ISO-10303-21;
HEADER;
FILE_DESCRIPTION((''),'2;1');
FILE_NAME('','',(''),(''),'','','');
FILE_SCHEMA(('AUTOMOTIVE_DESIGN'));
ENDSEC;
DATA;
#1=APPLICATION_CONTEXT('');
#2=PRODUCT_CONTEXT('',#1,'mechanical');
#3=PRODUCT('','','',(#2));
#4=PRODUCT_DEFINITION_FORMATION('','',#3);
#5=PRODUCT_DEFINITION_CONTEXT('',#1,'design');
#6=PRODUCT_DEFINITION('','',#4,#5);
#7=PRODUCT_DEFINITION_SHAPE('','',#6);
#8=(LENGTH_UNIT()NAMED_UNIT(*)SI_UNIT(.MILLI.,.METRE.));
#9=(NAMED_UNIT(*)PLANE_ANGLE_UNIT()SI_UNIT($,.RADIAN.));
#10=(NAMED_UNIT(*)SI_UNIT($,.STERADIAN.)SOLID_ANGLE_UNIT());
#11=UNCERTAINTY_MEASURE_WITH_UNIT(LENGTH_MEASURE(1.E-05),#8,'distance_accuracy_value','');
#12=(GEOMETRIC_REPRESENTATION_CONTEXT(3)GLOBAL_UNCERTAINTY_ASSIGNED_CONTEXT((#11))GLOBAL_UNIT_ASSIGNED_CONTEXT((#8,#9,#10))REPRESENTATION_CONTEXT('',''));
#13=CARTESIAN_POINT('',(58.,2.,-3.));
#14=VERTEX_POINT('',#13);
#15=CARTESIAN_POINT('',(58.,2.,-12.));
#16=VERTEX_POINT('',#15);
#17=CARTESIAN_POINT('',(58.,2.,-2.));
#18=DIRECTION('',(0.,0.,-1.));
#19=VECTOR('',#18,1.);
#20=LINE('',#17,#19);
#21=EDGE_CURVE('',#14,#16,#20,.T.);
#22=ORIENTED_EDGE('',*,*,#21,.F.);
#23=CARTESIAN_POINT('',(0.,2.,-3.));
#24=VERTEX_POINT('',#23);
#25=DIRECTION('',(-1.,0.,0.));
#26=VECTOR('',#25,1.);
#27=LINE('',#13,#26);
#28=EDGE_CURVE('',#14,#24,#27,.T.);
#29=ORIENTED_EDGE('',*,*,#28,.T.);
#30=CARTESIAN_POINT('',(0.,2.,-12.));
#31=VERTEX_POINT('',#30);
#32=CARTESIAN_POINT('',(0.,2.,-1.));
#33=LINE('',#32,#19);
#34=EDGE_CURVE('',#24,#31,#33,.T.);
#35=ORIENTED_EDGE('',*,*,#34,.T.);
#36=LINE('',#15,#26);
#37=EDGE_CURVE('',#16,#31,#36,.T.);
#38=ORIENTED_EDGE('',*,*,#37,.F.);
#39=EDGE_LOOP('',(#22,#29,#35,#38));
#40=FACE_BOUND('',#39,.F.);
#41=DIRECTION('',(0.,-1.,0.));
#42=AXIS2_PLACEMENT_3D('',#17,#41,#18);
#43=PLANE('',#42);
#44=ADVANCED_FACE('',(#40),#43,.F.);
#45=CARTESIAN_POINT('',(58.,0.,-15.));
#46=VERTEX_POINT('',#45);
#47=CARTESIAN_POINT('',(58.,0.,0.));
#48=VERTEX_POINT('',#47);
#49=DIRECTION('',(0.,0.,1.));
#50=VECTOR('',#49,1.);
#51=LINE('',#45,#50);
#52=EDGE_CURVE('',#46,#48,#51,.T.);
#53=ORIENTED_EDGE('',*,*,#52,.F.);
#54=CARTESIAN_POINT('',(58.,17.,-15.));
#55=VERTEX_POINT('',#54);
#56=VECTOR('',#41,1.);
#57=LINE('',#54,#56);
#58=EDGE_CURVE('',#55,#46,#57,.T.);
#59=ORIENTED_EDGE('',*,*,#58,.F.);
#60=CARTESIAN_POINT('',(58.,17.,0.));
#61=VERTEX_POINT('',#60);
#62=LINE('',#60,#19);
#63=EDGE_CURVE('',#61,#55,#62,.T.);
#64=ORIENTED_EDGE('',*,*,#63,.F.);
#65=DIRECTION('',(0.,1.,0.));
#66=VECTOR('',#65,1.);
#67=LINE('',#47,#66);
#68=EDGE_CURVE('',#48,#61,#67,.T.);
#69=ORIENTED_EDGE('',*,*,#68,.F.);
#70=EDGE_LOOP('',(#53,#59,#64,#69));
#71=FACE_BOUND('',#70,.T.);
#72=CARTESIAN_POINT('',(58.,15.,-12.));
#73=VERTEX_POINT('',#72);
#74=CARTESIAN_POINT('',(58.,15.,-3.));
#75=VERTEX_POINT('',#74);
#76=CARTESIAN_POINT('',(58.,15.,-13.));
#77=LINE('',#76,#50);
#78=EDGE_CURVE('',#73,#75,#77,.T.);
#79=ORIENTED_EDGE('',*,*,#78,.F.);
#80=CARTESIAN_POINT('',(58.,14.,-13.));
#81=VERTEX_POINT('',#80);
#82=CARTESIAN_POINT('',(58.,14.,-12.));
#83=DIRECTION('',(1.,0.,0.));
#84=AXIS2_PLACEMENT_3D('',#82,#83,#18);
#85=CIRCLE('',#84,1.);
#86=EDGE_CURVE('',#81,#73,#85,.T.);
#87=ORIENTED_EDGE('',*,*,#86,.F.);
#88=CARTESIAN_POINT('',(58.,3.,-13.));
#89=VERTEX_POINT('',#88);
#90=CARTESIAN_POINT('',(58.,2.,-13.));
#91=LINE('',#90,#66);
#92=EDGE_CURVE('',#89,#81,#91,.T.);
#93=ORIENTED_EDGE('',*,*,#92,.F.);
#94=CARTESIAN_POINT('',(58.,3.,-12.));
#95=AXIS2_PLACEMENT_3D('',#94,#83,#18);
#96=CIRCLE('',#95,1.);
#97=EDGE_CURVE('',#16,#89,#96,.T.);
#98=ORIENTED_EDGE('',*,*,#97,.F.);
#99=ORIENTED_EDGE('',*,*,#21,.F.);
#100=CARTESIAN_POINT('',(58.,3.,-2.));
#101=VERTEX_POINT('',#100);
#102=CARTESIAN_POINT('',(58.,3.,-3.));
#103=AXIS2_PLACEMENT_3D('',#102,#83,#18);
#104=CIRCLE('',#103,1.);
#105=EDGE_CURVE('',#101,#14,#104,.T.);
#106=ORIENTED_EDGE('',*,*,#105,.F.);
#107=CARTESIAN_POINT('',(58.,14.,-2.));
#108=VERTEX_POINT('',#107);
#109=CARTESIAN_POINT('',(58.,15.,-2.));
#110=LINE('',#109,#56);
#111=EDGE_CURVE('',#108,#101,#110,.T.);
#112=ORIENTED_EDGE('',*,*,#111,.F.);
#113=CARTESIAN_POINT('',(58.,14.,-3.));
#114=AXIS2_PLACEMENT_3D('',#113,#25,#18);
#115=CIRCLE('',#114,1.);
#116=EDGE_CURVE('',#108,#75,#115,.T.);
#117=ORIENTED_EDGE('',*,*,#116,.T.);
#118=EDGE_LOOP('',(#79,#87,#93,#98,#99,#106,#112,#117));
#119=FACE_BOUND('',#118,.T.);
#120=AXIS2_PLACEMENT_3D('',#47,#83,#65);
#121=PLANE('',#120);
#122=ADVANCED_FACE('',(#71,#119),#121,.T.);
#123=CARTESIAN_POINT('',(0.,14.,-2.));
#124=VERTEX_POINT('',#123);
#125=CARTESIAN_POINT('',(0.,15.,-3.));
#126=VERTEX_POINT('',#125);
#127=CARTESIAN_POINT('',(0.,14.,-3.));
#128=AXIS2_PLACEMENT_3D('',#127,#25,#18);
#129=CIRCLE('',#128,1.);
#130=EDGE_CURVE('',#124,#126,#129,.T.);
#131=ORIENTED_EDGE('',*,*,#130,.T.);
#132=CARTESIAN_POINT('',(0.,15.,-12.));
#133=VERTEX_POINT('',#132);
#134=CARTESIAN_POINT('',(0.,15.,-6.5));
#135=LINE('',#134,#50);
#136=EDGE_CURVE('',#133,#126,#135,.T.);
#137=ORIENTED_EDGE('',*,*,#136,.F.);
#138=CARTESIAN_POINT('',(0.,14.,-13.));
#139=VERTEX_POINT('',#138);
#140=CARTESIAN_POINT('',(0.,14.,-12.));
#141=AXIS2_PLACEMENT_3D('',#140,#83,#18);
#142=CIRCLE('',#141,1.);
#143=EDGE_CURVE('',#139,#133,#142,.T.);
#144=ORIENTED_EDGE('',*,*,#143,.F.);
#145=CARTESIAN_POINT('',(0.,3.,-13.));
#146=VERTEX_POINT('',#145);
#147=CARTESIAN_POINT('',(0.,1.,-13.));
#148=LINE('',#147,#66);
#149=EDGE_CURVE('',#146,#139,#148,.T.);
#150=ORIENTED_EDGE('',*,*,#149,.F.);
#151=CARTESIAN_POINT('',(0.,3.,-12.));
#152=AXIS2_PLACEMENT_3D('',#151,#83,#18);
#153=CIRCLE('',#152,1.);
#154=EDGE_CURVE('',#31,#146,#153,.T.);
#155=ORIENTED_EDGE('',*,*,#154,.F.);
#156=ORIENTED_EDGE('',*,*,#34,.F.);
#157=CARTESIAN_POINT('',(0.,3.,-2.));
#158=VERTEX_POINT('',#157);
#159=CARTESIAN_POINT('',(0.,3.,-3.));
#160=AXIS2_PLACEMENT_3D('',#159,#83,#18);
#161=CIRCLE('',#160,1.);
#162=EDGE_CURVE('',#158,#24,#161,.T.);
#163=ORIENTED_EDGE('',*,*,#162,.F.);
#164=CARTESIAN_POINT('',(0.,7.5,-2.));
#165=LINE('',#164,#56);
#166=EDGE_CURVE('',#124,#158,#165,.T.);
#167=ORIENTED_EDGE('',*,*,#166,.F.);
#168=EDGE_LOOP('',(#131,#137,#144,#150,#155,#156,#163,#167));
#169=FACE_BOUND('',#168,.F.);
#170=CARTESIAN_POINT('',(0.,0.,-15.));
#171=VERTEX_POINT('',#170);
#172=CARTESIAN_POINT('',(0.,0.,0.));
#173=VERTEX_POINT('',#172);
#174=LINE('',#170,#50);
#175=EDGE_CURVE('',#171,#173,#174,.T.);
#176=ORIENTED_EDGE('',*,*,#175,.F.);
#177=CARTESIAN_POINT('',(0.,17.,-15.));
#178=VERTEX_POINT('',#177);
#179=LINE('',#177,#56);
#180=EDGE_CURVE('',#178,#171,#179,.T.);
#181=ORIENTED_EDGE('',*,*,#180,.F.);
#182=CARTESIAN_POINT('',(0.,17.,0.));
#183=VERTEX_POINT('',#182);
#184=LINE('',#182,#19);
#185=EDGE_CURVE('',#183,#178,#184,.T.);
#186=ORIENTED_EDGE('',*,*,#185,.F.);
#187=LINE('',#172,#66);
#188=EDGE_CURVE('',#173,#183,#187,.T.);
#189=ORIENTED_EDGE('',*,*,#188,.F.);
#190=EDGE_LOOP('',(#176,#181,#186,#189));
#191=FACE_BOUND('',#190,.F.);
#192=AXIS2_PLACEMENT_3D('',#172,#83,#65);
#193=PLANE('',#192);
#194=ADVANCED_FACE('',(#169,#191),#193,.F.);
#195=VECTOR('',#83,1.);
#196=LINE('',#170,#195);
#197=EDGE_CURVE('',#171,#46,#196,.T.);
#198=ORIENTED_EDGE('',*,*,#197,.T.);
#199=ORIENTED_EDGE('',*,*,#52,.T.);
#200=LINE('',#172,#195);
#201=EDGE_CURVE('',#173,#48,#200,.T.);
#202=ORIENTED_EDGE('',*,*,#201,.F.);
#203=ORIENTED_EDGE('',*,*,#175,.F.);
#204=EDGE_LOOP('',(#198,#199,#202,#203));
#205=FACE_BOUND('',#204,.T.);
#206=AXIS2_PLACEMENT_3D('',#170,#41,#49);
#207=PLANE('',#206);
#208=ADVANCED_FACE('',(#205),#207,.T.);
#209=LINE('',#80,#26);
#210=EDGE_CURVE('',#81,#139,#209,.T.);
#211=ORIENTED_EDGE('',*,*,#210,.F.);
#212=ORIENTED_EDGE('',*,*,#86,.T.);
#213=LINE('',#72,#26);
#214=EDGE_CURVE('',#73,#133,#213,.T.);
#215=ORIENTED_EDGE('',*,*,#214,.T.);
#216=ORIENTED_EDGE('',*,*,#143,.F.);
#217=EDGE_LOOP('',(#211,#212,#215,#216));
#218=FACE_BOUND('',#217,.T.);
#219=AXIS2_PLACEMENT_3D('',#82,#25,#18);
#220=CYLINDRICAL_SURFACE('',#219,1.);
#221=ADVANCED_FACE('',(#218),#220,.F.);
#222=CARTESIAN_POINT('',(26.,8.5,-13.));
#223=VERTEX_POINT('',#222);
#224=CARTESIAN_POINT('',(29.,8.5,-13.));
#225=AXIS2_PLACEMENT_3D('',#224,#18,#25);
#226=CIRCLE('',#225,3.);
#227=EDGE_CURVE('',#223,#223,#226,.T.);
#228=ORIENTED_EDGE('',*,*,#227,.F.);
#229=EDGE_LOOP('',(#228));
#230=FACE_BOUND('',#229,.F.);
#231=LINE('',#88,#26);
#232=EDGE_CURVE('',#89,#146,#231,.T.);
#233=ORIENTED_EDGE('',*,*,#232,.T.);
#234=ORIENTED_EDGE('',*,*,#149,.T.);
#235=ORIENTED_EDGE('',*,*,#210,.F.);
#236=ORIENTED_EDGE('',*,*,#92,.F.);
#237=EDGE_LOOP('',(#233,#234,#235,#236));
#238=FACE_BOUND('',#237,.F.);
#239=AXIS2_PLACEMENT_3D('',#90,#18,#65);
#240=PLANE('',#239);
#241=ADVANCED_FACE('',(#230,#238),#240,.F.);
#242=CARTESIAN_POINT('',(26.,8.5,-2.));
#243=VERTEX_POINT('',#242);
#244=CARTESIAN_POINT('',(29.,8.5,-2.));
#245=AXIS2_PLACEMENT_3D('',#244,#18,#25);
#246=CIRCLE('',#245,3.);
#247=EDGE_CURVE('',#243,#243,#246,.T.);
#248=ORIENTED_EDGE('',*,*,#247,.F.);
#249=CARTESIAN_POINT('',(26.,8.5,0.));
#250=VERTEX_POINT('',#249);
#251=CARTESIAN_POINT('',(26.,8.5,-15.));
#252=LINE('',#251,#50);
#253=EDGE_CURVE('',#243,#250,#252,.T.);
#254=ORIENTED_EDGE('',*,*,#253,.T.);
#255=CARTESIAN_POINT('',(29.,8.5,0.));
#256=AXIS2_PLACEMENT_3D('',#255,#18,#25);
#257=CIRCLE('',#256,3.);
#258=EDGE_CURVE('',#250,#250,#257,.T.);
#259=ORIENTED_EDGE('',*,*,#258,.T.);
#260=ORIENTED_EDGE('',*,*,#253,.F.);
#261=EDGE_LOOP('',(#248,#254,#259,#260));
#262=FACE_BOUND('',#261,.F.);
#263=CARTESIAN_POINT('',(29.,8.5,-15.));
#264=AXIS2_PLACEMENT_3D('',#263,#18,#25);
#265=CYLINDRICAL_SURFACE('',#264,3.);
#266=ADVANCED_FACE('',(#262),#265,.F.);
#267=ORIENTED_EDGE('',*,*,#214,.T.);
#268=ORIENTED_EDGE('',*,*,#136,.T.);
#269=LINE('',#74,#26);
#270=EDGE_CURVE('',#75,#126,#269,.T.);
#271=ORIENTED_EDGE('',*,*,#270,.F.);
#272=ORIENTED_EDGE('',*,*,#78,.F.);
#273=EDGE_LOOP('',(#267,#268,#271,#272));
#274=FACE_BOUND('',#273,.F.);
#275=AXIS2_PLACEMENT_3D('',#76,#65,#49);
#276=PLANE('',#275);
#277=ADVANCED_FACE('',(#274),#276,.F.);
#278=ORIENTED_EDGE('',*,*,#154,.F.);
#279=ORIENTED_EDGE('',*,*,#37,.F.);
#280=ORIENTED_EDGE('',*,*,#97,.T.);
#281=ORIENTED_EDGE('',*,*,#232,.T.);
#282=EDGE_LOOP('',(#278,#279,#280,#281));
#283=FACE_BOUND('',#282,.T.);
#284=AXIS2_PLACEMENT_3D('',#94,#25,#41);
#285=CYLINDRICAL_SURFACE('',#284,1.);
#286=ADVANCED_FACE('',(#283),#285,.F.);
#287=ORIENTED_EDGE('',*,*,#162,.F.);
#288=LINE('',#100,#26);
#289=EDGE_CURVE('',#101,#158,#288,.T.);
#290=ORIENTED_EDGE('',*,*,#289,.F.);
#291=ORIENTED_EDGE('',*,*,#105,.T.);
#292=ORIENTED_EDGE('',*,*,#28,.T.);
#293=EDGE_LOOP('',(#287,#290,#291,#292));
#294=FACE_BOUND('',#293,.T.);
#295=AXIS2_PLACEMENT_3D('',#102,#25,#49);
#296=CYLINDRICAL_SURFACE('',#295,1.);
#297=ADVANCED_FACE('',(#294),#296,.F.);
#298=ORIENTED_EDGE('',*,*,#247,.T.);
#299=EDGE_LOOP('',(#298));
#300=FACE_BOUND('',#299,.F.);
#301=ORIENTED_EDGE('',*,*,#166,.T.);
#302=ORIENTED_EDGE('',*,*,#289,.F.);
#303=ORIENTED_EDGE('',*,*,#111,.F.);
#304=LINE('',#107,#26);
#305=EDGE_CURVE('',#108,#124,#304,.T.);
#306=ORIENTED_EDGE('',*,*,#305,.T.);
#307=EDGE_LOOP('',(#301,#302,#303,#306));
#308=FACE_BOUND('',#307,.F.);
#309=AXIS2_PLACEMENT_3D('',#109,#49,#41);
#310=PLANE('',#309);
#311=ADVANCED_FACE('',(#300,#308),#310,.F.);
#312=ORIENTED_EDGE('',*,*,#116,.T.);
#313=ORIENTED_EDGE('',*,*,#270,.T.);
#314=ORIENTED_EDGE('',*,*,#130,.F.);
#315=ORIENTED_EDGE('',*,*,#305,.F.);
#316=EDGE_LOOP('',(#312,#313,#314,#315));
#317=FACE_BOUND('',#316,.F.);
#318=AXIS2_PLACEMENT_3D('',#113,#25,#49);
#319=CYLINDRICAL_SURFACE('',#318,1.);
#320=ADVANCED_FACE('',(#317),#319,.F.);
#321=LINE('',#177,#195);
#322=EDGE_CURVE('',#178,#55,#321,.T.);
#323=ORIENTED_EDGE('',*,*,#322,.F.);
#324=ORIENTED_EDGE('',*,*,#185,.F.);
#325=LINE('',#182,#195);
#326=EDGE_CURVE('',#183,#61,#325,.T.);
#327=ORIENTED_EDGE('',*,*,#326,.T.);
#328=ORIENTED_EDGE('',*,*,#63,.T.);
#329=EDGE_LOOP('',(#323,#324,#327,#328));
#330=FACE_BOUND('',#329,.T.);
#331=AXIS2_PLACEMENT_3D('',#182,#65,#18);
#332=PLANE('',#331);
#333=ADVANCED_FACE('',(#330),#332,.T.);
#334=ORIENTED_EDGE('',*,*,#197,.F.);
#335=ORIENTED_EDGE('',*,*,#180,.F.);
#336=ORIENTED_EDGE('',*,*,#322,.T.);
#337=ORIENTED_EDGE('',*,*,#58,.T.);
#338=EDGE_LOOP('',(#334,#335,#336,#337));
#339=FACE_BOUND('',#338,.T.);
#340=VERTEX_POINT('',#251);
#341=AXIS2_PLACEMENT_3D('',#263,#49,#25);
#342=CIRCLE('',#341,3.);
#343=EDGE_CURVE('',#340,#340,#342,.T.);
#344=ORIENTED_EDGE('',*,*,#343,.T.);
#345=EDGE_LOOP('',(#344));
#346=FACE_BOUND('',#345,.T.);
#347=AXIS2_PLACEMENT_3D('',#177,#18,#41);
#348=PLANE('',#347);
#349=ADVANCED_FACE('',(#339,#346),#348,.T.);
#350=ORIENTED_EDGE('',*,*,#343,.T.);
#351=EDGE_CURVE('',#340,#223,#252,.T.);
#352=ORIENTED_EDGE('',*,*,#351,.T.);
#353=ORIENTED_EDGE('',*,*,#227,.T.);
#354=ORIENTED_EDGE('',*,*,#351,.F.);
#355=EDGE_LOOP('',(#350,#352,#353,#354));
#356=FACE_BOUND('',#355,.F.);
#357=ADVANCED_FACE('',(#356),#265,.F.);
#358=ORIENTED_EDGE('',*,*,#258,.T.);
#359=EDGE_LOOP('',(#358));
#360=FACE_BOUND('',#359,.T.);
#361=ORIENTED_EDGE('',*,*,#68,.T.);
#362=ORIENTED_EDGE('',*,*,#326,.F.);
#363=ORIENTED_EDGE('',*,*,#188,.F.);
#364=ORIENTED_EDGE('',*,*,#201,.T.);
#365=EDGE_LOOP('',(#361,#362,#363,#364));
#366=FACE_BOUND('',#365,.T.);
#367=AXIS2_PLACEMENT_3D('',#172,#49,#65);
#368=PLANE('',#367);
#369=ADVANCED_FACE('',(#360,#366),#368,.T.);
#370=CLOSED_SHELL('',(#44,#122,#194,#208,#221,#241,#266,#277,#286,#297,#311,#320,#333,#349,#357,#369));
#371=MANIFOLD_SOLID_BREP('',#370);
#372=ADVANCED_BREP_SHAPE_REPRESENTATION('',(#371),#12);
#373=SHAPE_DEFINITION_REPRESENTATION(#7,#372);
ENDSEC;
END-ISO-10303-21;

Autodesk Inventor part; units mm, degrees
ref_plane "YZ Plane" through (0, 0, 0) normal (1, 0, 0) x (0, 1, 0)
ref_plane "XZ Plane" through (0, 0, 0) normal (0, 1, 0) x (-1, 0, 0)
ref_plane "XY Plane" through (0, 0, 0) normal (0, 0, 1) x (1, 0, 0)
sketch "Sketch2" plane through (0, 0, 0) normal (1, 0, 0) x (0, 1, 0)
  line L0 (0, 0) -> (17, 0)
  line L1 (17, 0) -> (17, -15)
  line L2 (17, -15) -> (0, -15)
  line L3 (0, -15) -> (0, 0)
  dimension "d4" = 17
  dimension "d5" = 15
extrude "Extrusion2" add sketch "Sketch2" along normal blind 58
sketch "Sketch3" plane through (58, 0, 0) normal (1, 0, 0) x (0, 0, -1)
  line L0 (0, 17) -> (0, 0) projected
  line L1 (0, 0) -> (15, 0) projected
  line L2 (15, 0) -> (15, 17) projected
  line L3 (2, 2) -> (13, 2)
  line L4 (13, 2) -> (13, 15)
  line L5 (13, 15) -> (2, 15)
  line L6 (2, 15) -> (2, 2)
  line L7 (2, 2) -> (13, 15) construction
  line L8 (13, 2) -> (2, 15) construction
  point P0 (7.5, 8.5)
  dimension "d9" = 11
  dimension "d10" = 13
extrude "Extrusion3" cut sketch "Sketch3" against normal through all
sketch "Sketch5" plane through (0, 0, -15) normal (0, 0, -1) x (-1, 0, 0)
  line L0 (0, 0) -> (-58, 0) projected
  line L1 (-58, 0) -> (0, 17)
  line L2 (-58, 0) -> (-58, 17) projected
  line L3 (0, 0) -> (-58, 17)
  circle A0 centre (-29, 8.5) radius 3
  dimension "d13" = 6
extrude "Extrusion4" cut sketch "Sketch5" against normal through all contours A0 L1 L3 | L3 L1 A0 | A0 L3 L1 | L3 A0 L1
fillet "Fillet1" radius 1 4 edges at (29, 2, -13) (29, 2, -2) (29, 15, -2) (29, 15, -13)
properties part number "caja perfil"
